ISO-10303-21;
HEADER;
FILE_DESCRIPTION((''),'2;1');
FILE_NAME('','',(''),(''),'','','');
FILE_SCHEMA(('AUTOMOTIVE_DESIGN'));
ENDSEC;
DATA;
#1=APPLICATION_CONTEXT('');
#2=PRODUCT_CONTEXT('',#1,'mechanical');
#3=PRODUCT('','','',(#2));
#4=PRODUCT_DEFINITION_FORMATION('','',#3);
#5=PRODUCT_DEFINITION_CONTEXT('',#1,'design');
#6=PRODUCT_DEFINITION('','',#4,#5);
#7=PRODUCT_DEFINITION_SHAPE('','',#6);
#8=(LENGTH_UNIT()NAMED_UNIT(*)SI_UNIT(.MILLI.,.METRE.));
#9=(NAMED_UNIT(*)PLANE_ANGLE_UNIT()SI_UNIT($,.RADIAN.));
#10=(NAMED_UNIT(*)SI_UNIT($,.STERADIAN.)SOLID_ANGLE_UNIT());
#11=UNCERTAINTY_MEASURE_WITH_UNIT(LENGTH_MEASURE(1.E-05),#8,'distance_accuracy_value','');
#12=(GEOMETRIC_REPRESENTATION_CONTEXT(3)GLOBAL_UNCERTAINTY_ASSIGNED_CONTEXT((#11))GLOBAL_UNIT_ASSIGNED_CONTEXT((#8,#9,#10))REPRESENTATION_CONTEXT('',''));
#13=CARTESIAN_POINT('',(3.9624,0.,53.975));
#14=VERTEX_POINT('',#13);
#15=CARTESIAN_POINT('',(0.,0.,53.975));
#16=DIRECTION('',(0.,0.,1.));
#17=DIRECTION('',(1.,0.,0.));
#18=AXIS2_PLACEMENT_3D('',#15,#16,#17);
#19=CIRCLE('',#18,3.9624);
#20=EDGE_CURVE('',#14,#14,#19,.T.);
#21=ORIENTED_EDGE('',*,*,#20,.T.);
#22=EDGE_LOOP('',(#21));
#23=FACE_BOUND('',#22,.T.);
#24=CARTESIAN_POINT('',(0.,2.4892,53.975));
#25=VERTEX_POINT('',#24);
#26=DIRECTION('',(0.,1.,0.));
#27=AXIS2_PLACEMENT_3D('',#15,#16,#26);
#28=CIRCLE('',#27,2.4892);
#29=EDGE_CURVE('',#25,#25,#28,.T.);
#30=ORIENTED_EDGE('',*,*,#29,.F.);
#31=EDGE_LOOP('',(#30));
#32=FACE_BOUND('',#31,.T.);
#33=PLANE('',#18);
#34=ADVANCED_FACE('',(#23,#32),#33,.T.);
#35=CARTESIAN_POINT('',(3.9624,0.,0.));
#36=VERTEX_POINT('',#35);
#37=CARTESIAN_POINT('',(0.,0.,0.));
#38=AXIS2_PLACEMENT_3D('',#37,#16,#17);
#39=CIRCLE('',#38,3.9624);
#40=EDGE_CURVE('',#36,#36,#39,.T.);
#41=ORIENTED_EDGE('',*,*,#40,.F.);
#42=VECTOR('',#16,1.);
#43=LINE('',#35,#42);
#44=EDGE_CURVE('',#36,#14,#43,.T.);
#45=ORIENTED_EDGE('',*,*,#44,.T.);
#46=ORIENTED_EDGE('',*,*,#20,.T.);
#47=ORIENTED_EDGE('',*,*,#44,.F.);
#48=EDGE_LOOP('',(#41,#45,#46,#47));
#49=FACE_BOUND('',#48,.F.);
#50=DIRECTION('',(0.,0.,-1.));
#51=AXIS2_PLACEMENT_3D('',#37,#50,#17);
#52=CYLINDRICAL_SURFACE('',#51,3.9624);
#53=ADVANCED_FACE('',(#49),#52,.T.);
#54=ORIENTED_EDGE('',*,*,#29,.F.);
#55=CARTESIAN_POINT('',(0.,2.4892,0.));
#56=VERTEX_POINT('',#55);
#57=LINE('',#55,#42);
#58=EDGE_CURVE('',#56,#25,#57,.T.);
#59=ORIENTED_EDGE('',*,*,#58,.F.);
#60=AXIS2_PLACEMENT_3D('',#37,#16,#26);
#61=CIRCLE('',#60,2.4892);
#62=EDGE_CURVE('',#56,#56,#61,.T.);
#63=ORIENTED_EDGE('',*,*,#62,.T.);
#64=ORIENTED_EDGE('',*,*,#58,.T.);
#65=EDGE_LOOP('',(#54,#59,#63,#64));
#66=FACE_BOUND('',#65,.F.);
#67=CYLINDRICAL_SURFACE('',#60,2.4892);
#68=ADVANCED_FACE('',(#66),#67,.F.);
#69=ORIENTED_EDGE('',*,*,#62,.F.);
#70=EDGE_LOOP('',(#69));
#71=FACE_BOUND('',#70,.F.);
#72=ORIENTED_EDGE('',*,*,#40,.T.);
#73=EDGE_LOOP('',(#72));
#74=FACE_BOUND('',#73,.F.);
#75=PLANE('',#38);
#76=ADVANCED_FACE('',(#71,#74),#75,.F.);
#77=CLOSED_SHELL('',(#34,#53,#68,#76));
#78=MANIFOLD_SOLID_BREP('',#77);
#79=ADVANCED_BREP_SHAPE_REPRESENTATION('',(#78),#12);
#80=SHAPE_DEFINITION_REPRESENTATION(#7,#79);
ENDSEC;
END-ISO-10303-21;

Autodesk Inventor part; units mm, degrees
ref_plane "YZ Plane" through (0, 0, 0) normal (1, 0, 0) x (0, 1, 0)
ref_plane "XZ Plane" through (0, 0, 0) normal (0, 1, 0) x (-1, 0, 0)
ref_plane "XY Plane" through (0, 0, 0) normal (0, 0, 1) x (1, 0, 0)
sketch "Sketch1" plane through (0, 0, 0) normal (0, 0, 1) x (1, 0, 0)
  circle A0 centre (0, 0) radius 3.9624
  dimension "d0" = 7.9248
extrude "Extrusion1" add sketch "Sketch1" along normal blind 53.975
hole "Hole1" at (0, 0, 0) direction (0, 0, 1) diameter 4.9784 end through all clearance for "Socket Head Cap Screw" size "#10" standard "Ansi Unified Screw Threads"
properties part number "Carriage Standoff - 2.125 Long"
